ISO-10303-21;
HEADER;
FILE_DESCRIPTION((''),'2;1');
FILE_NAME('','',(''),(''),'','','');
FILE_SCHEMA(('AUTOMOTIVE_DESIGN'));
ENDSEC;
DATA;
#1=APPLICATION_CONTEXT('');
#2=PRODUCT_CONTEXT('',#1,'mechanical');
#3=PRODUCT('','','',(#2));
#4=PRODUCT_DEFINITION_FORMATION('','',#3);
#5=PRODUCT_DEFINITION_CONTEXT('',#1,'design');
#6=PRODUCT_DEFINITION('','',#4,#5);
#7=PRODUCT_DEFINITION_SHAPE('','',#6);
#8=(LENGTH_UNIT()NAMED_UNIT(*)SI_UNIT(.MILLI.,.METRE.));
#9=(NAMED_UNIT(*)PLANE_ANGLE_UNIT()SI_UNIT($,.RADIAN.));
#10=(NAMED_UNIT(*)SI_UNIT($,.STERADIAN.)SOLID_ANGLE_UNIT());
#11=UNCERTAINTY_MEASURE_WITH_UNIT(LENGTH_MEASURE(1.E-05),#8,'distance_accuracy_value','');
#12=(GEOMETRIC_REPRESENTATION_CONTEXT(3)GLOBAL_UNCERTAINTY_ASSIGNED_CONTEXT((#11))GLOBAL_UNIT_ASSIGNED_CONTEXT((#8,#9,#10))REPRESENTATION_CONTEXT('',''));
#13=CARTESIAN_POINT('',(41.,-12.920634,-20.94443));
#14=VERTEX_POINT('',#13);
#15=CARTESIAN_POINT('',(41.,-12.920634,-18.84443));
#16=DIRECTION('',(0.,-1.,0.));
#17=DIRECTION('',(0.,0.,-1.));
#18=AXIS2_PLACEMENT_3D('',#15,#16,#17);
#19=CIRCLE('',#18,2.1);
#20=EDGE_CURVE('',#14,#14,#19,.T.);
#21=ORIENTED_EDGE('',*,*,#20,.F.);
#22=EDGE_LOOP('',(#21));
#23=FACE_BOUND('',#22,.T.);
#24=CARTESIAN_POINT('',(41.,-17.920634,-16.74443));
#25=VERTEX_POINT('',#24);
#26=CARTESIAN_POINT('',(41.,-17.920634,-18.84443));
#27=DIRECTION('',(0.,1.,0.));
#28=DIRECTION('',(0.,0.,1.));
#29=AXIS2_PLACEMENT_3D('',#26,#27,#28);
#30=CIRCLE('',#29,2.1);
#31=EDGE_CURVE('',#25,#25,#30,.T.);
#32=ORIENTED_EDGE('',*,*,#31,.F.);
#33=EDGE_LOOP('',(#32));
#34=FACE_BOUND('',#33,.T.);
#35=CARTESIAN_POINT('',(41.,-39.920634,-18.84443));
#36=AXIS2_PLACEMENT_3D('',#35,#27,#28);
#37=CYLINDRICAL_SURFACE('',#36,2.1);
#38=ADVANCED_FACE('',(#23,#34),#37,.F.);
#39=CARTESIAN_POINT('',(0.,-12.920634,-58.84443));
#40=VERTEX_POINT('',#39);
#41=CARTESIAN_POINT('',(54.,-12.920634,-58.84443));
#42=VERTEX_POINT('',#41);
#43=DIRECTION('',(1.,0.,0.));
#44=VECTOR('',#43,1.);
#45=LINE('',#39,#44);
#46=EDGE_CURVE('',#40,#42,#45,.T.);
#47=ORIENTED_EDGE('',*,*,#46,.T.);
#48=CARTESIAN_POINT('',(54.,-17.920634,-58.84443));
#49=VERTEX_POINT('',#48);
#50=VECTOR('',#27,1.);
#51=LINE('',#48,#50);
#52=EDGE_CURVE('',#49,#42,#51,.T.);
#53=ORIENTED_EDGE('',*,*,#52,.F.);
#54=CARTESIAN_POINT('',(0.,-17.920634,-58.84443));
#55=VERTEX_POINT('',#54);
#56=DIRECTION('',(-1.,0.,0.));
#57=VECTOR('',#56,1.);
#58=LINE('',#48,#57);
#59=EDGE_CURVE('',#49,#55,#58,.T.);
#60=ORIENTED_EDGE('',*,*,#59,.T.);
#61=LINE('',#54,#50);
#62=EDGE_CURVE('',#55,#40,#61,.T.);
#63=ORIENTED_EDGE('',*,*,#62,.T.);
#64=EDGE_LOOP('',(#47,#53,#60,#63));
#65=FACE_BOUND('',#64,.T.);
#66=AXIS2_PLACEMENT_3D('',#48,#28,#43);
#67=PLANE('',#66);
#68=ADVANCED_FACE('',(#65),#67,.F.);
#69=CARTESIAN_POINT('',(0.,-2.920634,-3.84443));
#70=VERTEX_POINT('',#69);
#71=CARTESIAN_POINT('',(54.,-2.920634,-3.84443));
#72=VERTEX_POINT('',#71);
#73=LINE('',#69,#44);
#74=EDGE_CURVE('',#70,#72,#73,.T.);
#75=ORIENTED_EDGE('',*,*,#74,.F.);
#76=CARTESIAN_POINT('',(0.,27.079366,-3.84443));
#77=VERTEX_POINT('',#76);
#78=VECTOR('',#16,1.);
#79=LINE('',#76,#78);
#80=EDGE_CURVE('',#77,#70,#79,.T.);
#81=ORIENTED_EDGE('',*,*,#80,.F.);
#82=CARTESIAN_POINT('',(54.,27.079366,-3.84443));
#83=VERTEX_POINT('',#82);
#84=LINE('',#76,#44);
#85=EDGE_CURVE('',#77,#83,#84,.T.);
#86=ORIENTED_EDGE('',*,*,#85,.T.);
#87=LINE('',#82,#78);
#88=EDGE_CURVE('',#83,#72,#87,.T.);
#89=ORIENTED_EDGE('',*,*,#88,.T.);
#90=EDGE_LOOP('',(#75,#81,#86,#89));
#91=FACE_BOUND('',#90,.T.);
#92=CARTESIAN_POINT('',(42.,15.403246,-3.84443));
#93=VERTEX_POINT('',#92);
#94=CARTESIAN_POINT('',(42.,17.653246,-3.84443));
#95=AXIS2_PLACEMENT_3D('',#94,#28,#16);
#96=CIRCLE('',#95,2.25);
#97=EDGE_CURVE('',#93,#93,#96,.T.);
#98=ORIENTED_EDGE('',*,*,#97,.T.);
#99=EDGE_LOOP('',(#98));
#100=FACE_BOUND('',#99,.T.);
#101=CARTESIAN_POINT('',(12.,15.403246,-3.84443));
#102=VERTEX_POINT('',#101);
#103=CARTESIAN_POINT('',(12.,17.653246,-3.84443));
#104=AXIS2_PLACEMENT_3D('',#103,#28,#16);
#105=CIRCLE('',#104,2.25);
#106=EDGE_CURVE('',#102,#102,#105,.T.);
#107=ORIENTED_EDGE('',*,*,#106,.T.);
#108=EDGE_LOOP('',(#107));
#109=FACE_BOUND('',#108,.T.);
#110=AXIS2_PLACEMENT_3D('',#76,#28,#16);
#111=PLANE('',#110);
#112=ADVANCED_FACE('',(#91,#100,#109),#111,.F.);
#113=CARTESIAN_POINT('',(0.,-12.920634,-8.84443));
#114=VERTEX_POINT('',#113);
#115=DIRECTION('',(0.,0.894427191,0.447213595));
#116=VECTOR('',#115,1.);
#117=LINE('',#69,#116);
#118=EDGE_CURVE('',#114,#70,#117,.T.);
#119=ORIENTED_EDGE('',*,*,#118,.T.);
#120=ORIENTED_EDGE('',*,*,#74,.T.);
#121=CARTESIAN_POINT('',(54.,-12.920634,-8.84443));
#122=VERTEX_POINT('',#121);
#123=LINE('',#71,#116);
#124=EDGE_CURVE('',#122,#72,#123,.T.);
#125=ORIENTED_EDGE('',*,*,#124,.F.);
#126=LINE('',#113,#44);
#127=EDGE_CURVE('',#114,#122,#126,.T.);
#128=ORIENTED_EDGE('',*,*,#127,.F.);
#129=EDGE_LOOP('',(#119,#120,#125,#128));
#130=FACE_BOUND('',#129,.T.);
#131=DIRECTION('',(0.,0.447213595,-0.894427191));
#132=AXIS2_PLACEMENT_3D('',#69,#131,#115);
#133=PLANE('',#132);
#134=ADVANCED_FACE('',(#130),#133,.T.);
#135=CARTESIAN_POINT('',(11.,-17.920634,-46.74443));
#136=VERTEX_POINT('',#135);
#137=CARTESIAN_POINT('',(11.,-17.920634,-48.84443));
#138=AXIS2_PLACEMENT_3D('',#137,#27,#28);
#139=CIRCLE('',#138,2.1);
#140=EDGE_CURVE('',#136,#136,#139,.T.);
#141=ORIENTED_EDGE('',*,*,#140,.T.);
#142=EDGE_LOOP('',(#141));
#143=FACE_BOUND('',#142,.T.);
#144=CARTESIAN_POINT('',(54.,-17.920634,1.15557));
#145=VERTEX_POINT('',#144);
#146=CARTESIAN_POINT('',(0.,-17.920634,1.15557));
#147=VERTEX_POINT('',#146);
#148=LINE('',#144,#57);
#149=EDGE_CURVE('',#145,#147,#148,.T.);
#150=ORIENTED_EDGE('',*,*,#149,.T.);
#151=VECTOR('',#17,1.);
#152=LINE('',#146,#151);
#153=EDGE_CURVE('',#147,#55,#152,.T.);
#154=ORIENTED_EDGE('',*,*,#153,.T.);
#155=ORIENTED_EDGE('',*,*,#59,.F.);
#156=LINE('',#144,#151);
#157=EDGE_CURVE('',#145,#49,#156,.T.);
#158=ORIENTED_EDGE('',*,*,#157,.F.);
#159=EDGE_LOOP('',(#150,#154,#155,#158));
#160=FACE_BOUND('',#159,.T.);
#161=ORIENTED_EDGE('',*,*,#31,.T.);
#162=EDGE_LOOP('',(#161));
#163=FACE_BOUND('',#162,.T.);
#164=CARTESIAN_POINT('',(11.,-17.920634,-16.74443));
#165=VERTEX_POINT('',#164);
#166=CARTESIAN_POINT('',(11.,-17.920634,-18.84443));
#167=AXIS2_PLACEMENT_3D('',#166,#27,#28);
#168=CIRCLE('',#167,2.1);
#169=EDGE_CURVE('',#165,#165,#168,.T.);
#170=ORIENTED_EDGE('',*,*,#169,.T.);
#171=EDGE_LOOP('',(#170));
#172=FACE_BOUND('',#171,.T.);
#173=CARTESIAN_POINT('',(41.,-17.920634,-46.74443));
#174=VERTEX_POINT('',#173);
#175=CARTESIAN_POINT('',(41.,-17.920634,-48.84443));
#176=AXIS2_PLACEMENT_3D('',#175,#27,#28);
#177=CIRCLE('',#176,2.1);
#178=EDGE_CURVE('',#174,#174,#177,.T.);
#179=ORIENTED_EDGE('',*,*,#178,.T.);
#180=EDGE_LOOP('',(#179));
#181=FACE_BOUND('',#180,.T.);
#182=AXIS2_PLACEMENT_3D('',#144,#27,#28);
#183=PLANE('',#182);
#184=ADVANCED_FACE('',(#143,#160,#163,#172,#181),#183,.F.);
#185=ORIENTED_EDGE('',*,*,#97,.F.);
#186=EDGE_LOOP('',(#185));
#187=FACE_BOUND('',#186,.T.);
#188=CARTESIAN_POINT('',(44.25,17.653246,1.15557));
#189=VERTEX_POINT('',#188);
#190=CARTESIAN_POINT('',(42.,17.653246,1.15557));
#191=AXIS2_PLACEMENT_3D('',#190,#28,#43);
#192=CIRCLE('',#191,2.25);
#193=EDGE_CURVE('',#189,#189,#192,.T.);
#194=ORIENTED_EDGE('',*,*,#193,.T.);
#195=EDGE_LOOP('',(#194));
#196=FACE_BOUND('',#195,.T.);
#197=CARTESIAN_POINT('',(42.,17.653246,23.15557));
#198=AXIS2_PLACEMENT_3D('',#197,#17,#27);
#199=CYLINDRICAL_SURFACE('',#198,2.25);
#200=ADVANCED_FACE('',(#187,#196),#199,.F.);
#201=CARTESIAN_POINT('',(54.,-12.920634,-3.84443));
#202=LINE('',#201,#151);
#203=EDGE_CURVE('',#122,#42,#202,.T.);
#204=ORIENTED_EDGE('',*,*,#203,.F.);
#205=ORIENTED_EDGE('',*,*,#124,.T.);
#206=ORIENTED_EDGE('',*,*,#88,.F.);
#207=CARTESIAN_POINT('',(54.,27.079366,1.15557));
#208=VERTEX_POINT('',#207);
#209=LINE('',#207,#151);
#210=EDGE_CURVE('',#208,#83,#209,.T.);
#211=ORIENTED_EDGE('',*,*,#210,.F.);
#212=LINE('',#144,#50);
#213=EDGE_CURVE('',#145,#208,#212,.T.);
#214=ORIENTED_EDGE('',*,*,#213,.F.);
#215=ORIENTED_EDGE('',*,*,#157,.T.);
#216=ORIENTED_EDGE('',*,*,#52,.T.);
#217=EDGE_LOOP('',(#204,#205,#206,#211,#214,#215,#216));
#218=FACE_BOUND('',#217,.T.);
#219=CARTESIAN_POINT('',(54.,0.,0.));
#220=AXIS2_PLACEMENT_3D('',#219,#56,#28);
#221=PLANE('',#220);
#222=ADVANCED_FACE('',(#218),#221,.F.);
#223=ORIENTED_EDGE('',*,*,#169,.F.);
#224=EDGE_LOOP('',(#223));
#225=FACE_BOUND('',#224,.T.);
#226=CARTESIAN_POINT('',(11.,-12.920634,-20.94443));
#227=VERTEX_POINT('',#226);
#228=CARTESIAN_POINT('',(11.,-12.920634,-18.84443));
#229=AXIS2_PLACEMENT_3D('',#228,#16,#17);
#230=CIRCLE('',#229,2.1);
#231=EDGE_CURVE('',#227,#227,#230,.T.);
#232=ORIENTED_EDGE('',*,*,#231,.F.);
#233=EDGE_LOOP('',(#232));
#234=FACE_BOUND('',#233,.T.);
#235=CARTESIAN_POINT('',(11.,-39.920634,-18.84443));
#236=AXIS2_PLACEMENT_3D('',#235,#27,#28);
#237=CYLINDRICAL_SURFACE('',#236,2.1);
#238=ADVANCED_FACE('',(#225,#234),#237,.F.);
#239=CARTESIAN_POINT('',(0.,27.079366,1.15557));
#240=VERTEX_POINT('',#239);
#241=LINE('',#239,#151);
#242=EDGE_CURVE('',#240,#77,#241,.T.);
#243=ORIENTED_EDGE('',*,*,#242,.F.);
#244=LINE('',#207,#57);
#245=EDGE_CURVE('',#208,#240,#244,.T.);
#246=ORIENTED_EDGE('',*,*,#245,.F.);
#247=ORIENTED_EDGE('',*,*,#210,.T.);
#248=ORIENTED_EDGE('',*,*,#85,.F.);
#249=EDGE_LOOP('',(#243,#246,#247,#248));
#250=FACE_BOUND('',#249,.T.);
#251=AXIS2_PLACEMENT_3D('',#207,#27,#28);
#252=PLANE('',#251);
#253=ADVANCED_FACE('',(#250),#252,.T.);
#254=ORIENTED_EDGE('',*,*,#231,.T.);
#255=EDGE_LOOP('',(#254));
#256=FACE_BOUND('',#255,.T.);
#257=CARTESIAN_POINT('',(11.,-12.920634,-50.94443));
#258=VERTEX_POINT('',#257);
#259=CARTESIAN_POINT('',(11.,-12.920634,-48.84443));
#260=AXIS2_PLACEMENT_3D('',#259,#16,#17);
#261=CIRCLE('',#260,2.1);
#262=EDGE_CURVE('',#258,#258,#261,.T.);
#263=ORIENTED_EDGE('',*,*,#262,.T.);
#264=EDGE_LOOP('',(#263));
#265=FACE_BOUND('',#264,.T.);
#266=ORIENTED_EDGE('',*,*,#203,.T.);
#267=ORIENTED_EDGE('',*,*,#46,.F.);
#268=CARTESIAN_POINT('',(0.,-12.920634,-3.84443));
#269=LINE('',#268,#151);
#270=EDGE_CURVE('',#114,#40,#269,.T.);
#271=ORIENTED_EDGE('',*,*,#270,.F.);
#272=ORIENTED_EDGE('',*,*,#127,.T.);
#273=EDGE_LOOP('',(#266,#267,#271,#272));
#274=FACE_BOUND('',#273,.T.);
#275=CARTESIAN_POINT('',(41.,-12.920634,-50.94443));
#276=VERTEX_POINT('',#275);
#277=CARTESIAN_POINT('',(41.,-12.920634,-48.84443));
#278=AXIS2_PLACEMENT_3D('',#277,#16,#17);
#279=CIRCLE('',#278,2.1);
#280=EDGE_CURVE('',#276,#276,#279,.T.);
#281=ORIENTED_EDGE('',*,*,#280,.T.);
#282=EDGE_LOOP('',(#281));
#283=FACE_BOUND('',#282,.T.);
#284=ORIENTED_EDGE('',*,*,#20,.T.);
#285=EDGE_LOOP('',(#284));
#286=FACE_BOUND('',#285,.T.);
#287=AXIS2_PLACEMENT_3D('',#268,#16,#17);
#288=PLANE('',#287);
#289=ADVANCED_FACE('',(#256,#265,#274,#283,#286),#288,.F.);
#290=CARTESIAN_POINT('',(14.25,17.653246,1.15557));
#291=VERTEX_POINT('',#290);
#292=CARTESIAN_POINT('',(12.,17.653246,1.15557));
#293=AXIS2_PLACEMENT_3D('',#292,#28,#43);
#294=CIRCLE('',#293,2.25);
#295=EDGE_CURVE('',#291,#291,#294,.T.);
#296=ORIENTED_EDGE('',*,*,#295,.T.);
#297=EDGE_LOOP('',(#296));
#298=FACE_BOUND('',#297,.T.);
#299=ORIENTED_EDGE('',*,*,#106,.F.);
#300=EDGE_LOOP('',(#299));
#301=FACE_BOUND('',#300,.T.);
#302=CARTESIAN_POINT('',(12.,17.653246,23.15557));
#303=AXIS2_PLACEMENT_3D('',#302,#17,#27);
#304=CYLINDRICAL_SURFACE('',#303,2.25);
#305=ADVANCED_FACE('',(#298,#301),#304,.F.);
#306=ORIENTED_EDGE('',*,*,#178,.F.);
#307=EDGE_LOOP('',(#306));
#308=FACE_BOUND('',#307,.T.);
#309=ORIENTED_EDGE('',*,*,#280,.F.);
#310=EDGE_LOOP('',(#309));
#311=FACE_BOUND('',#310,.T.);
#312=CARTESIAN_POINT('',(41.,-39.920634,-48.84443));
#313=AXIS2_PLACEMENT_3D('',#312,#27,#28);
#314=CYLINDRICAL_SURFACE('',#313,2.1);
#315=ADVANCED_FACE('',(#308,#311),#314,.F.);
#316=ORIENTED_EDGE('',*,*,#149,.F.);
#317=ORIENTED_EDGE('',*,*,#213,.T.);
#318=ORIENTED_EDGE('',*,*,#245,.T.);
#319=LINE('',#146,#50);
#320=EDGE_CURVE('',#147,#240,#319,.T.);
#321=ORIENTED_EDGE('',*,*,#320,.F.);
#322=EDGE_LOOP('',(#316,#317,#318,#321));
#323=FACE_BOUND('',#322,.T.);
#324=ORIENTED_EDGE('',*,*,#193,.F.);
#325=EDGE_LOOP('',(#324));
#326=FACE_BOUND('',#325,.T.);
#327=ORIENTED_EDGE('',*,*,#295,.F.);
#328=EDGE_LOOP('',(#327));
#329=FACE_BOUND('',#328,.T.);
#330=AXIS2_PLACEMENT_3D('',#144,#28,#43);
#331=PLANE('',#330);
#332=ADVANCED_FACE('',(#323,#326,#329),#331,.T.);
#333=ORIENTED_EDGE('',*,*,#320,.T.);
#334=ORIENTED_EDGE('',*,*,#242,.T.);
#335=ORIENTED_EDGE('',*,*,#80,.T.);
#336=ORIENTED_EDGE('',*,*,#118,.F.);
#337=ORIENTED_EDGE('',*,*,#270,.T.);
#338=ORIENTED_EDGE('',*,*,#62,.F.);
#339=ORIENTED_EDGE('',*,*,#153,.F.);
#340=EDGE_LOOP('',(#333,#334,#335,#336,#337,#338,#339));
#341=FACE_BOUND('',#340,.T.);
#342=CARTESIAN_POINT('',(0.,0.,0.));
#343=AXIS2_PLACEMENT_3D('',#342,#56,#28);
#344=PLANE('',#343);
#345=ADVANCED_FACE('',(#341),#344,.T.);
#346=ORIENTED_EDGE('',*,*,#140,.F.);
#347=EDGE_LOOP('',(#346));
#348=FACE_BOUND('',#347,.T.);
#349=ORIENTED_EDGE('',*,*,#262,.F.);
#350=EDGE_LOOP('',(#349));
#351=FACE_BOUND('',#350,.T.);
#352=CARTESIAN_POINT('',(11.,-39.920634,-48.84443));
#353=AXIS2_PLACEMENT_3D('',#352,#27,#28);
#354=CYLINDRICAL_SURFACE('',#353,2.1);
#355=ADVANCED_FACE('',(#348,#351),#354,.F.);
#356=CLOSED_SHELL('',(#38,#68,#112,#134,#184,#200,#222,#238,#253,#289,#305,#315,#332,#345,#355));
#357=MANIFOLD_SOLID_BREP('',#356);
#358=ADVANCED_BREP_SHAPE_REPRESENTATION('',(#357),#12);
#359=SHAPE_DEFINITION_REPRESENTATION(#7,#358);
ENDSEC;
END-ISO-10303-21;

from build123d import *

# Parameters (mm, degrees)
SKETCH_1_W          = 60
SKETCH_1_H          = 45
EXTRUDE_2_DEPTH     = 54
SKETCH_4_W          = 55
SKETCH_4_H          = 40
CUT_EXTRUDE_3_DEPTH = 54
SKETCH_5_R          = 2.25
CUT_EXTRUDE_4_DEPTH = 27
SKETCH_6_R          = 2.1
CUT_EXTRUDE_5_DEPTH = 27
EXTRUDE_3_DEPTH     = 54


with BuildPart() as part:
    # 草图1 → 凸台-拉伸2 (new body)
    with BuildSketch(Plane(origin=(0, 0, 0), x_dir=(0, 0, -1), z_dir=(1, 0, 0))):
        with Locations((28.844429728, 4.579365776)):
            Rectangle(SKETCH_1_W, SKETCH_1_H)
    extrude(amount=EXTRUDE_2_DEPTH)

    # 草图4 → 切除-拉伸3 (cut)
    with BuildSketch(Plane(origin=(54, 0, 0), x_dir=(0, 0, -1), z_dir=(1, 0, 0))):
        with Locations((31.344429728, 7.079365776)):
            Rectangle(SKETCH_4_W, SKETCH_4_H)
    extrude(amount=-CUT_EXTRUDE_3_DEPTH, mode=Mode.SUBTRACT)

    # 草图5 → 切除-拉伸4 (cut, symmetric)
    with BuildSketch(Plane(origin=(0, 0, -3.844429728), x_dir=(-1, 0, 0), z_dir=(0, 0, -1))):
        with Locations(Location((-42, 17.653246287, 0), (0, 0, 180))):
            Circle(SKETCH_5_R)
        with Locations(Location((-12, 17.653246287, 0), (0, 0, 180))):
            Circle(SKETCH_5_R)
    extrude(amount=CUT_EXTRUDE_4_DEPTH, both=True, mode=Mode.SUBTRACT)

    # 草图6 → 切除-拉伸5 (cut, symmetric)
    with BuildSketch(Plane(origin=(0, -12.920634224, 0), x_dir=(1, 0, 0), z_dir=(0, 1, 0))):
        with Locations(Location((11, 48.844429728, 0), (0, 0, 270))):
            Circle(SKETCH_6_R)
        with Locations(Location((41, 48.844429728, 0), (0, 0, 270))):
            Circle(SKETCH_6_R)
        with Locations(Location((11, 18.844429728, 0), (0, 0, 270))):
            Circle(SKETCH_6_R)
        with Locations(Location((41, 18.844429728, 0), (0, 0, 270))):
            Circle(SKETCH_6_R)
    extrude(amount=CUT_EXTRUDE_5_DEPTH, both=True, mode=Mode.SUBTRACT)

    # 草图7 → 凸台-拉伸3 (add)
    with BuildSketch(Plane(origin=(54, 0, 0), x_dir=(0, 0, -1), z_dir=(1, 0, 0))):
        Polygon((3.844429728, -2.920634224), (8.844429728, -12.920634224), (3.844429728, -12.920634224), align=None)
    extrude(amount=-EXTRUDE_3_DEPTH)


solid = part.part
